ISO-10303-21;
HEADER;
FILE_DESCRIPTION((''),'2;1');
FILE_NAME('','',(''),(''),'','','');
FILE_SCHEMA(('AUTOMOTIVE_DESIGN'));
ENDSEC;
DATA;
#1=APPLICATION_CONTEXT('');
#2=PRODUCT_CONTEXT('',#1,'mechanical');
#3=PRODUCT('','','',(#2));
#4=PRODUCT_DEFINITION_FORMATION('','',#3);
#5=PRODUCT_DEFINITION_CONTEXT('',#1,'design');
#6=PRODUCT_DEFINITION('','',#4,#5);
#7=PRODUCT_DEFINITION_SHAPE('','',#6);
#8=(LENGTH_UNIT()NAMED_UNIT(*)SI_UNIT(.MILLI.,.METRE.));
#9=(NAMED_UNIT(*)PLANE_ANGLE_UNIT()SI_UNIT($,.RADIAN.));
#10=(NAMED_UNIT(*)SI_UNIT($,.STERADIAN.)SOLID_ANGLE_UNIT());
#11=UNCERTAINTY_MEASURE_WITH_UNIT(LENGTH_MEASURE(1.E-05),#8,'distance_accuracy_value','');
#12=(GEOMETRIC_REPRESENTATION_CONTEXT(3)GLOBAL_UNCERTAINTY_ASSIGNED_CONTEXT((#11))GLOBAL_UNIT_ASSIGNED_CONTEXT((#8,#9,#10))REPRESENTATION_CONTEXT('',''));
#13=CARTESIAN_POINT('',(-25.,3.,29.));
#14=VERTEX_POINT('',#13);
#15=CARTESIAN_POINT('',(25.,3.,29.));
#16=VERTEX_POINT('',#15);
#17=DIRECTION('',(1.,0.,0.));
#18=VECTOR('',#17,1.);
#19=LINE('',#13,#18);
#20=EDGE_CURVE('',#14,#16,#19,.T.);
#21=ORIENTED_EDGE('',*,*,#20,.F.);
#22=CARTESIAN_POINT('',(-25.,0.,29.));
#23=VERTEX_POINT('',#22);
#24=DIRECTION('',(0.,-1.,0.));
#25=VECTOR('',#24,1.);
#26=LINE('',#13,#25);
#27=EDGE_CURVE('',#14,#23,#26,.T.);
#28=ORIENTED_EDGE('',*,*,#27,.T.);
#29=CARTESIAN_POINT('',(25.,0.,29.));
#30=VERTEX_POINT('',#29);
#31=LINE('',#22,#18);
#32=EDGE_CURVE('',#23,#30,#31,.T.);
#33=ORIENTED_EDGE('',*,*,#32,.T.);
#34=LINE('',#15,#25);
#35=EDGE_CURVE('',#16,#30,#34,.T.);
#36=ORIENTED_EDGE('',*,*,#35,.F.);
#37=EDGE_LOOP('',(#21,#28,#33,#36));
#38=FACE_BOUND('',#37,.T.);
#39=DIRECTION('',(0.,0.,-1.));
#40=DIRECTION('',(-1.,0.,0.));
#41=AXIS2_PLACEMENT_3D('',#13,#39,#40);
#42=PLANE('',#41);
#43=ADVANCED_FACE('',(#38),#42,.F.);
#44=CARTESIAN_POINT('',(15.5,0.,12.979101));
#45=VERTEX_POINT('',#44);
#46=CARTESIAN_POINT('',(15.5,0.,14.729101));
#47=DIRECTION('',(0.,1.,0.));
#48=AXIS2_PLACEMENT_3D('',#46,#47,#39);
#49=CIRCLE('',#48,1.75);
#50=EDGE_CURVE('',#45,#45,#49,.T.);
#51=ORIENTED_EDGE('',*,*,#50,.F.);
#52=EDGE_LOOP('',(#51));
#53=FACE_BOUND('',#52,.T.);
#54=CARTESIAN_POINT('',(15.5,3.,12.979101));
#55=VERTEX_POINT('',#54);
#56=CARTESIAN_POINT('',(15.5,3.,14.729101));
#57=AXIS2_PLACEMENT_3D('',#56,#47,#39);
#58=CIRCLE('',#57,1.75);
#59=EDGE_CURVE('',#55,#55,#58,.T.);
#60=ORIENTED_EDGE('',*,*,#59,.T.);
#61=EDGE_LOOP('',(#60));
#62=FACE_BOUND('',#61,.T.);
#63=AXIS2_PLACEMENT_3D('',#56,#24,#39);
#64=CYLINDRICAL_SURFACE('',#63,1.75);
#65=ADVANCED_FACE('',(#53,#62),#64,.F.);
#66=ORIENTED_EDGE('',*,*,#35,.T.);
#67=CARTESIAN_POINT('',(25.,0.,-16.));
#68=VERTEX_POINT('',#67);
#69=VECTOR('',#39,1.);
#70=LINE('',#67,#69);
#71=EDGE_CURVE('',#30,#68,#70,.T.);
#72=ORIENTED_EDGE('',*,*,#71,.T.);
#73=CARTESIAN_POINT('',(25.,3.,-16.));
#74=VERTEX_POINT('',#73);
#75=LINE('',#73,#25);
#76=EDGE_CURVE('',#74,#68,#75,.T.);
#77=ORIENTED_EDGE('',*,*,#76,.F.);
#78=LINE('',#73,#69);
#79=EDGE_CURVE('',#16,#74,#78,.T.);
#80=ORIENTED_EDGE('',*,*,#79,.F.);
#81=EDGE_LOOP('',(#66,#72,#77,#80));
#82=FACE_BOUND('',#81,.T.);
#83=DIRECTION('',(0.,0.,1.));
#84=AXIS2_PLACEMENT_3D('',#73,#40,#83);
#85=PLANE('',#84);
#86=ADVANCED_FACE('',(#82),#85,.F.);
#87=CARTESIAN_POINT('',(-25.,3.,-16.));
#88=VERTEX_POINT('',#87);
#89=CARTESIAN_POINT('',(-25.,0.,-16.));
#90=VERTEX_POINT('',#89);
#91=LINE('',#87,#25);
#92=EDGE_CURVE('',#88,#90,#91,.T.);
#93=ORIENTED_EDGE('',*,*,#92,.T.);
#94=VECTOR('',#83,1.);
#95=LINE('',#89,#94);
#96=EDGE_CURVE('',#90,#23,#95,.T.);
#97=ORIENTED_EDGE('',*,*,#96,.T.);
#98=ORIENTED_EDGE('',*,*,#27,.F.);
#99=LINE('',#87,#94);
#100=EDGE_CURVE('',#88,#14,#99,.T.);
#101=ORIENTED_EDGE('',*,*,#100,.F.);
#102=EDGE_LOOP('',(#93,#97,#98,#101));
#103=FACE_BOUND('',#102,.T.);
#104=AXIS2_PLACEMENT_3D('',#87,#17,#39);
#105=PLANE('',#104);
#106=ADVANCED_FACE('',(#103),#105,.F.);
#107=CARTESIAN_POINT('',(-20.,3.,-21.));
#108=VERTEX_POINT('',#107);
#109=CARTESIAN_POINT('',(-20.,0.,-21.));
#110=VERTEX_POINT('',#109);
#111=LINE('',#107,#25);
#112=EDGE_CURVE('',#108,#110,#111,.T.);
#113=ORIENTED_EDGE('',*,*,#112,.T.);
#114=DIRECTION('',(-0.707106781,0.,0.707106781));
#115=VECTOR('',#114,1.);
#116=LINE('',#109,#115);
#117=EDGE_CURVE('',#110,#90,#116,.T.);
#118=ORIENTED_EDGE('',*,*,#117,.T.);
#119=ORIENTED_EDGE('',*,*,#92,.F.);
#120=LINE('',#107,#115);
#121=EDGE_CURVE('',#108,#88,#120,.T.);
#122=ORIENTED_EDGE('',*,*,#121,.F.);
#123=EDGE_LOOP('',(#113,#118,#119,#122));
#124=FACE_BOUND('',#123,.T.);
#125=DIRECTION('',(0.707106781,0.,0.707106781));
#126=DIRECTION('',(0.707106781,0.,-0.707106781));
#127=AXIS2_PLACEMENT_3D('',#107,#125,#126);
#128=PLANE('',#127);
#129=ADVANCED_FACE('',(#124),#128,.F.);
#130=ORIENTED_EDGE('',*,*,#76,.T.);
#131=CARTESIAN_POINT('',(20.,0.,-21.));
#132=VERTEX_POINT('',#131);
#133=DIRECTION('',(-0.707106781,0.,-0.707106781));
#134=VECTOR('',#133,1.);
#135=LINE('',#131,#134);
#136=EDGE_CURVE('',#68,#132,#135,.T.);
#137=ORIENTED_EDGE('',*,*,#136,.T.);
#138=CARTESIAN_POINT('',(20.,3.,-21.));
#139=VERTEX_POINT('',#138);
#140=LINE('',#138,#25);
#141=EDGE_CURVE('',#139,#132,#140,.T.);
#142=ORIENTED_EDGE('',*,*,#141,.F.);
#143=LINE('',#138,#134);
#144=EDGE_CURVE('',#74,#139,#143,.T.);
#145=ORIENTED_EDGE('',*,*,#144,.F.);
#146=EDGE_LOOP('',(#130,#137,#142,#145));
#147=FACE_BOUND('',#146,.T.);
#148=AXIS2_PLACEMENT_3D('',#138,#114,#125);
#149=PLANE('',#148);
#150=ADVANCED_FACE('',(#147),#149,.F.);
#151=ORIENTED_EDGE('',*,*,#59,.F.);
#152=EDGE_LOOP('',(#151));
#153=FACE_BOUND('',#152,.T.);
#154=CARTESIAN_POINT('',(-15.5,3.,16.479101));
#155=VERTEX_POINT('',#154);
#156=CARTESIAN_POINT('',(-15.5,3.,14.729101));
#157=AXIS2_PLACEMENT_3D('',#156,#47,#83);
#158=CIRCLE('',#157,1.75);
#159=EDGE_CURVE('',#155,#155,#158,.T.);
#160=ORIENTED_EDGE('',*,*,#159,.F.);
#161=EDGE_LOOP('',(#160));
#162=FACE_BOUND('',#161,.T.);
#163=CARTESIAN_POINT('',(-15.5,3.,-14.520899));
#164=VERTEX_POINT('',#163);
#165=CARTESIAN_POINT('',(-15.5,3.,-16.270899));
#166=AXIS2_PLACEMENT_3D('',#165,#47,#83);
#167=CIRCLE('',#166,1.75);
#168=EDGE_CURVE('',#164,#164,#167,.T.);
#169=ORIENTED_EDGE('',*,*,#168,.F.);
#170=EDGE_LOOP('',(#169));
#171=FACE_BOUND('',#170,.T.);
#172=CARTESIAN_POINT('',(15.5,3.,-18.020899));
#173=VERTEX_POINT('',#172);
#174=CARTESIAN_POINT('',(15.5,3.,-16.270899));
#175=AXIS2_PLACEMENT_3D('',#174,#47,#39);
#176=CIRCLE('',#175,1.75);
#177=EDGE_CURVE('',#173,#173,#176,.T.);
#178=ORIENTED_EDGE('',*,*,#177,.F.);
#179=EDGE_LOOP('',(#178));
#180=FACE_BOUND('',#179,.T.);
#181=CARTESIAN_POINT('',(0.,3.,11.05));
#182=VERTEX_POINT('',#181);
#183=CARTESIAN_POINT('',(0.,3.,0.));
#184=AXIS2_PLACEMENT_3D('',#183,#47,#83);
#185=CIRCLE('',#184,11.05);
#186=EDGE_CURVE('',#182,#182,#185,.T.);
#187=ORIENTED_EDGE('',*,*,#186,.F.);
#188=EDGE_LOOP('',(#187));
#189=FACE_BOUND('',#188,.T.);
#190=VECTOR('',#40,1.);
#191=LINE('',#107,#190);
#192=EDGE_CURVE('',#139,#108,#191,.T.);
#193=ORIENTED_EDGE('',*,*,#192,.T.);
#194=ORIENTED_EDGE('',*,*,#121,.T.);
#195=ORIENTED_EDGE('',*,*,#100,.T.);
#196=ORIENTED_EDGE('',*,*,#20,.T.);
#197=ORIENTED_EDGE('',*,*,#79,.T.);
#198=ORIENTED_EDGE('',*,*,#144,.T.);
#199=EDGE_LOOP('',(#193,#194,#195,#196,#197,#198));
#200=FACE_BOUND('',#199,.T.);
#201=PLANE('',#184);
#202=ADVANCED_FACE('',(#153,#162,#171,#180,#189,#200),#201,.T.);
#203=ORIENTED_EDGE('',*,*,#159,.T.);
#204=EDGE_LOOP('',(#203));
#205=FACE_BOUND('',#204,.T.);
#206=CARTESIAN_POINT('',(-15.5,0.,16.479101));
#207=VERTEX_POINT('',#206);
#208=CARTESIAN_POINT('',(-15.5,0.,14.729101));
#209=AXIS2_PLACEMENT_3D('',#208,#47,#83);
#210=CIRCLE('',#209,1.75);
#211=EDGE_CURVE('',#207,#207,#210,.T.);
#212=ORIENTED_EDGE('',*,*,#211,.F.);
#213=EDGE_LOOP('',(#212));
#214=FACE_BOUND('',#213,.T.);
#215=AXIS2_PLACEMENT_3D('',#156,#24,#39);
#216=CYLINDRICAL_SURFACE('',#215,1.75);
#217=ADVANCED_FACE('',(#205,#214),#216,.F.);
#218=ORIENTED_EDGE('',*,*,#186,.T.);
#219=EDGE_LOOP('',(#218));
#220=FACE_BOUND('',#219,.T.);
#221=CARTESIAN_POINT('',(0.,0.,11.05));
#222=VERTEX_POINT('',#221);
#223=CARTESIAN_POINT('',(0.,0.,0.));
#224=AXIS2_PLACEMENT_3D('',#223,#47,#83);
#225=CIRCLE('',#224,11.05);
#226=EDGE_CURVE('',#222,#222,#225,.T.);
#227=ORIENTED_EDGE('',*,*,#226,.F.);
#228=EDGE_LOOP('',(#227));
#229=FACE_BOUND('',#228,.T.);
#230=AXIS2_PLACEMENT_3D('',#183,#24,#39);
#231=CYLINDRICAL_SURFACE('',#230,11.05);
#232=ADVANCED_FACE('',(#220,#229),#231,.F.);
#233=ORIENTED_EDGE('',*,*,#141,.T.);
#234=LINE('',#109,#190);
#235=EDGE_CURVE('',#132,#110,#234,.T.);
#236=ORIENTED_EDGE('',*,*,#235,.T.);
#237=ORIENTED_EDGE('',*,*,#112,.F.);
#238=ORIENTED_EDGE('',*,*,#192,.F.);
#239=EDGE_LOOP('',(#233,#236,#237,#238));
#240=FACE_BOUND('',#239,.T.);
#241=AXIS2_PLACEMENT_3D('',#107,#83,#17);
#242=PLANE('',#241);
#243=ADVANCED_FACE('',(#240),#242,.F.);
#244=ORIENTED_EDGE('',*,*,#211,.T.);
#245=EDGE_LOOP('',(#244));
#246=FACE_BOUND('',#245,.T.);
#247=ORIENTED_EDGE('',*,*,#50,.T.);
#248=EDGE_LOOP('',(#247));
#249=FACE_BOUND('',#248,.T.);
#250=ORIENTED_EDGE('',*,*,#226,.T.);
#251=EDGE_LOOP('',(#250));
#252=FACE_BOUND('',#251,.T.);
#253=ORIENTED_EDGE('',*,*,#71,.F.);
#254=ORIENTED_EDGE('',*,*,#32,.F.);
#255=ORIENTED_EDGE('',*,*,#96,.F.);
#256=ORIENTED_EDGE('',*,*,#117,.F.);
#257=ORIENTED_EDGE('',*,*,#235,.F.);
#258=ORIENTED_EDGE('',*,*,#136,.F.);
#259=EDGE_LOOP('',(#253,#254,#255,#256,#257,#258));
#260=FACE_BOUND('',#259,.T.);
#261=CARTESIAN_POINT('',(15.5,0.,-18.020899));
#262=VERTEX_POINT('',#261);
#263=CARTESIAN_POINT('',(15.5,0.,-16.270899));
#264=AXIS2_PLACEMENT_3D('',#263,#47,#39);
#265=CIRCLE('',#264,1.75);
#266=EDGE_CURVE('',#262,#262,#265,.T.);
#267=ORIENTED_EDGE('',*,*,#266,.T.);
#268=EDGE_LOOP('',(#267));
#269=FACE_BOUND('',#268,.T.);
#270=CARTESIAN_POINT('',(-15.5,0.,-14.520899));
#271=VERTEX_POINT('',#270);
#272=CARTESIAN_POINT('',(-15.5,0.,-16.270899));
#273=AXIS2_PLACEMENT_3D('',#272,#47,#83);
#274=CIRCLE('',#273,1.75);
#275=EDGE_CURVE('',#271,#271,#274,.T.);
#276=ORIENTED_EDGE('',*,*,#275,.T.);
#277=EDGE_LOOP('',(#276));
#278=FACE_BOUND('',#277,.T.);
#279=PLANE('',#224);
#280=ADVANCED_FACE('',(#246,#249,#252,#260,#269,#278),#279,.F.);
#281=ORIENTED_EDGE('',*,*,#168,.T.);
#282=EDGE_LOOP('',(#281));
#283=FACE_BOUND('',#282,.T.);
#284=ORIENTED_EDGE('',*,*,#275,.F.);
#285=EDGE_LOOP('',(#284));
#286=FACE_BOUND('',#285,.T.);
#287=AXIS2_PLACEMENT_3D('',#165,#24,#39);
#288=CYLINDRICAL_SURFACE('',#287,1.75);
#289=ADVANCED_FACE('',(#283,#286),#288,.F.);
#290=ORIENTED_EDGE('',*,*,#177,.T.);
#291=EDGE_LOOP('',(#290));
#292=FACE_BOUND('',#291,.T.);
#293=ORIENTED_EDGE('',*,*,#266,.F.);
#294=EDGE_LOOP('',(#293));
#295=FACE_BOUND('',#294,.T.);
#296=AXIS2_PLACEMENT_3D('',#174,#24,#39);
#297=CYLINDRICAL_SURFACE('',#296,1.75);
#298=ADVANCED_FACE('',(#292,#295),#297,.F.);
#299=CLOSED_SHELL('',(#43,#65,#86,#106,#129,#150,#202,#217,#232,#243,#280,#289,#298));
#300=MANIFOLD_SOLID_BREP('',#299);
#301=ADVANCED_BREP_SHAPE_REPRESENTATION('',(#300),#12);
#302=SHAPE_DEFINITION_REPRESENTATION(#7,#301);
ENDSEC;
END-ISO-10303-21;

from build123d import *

# Parameters (mm, degrees)
ESBO_O1_R                = 11.05
ESBO_O1_R_2              = 1.75
RESSALTO_EXTRUS_O3_DEPTH = 3


with BuildPart() as part:
    # Esboço1 → Ressalto-extrusão3 (new body)
    with BuildSketch(Plane(origin=(0, 0, 0), x_dir=(1, 0, 0), z_dir=(0, 1, 0))):
        Polygon((-20, 21), (-25, 16), (-25, -29), (25, -29), (25, 16), (20, 21), align=None)
        with Locations(Location((0, 0, 0), (0, 0, 270))):
            Circle(ESBO_O1_R, mode=Mode.SUBTRACT)
        with Locations(Location((-15.5, 16.270899167, 0), (0, 0, 270))):
            Circle(ESBO_O1_R_2, mode=Mode.SUBTRACT)
        with Locations(Location((15.5, 16.270899167, 0), (0, 0, 90))):
            Circle(ESBO_O1_R_2, mode=Mode.SUBTRACT)
        with Locations(Location((-15.5, -14.729100833, 0), (0, 0, 270))):
            Circle(ESBO_O1_R_2, mode=Mode.SUBTRACT)
        with Locations(Location((15.5, -14.729100833, 0), (0, 0, 90))):
            Circle(ESBO_O1_R_2, mode=Mode.SUBTRACT)
    extrude(amount=RESSALTO_EXTRUS_O3_DEPTH)


solid = part.part
